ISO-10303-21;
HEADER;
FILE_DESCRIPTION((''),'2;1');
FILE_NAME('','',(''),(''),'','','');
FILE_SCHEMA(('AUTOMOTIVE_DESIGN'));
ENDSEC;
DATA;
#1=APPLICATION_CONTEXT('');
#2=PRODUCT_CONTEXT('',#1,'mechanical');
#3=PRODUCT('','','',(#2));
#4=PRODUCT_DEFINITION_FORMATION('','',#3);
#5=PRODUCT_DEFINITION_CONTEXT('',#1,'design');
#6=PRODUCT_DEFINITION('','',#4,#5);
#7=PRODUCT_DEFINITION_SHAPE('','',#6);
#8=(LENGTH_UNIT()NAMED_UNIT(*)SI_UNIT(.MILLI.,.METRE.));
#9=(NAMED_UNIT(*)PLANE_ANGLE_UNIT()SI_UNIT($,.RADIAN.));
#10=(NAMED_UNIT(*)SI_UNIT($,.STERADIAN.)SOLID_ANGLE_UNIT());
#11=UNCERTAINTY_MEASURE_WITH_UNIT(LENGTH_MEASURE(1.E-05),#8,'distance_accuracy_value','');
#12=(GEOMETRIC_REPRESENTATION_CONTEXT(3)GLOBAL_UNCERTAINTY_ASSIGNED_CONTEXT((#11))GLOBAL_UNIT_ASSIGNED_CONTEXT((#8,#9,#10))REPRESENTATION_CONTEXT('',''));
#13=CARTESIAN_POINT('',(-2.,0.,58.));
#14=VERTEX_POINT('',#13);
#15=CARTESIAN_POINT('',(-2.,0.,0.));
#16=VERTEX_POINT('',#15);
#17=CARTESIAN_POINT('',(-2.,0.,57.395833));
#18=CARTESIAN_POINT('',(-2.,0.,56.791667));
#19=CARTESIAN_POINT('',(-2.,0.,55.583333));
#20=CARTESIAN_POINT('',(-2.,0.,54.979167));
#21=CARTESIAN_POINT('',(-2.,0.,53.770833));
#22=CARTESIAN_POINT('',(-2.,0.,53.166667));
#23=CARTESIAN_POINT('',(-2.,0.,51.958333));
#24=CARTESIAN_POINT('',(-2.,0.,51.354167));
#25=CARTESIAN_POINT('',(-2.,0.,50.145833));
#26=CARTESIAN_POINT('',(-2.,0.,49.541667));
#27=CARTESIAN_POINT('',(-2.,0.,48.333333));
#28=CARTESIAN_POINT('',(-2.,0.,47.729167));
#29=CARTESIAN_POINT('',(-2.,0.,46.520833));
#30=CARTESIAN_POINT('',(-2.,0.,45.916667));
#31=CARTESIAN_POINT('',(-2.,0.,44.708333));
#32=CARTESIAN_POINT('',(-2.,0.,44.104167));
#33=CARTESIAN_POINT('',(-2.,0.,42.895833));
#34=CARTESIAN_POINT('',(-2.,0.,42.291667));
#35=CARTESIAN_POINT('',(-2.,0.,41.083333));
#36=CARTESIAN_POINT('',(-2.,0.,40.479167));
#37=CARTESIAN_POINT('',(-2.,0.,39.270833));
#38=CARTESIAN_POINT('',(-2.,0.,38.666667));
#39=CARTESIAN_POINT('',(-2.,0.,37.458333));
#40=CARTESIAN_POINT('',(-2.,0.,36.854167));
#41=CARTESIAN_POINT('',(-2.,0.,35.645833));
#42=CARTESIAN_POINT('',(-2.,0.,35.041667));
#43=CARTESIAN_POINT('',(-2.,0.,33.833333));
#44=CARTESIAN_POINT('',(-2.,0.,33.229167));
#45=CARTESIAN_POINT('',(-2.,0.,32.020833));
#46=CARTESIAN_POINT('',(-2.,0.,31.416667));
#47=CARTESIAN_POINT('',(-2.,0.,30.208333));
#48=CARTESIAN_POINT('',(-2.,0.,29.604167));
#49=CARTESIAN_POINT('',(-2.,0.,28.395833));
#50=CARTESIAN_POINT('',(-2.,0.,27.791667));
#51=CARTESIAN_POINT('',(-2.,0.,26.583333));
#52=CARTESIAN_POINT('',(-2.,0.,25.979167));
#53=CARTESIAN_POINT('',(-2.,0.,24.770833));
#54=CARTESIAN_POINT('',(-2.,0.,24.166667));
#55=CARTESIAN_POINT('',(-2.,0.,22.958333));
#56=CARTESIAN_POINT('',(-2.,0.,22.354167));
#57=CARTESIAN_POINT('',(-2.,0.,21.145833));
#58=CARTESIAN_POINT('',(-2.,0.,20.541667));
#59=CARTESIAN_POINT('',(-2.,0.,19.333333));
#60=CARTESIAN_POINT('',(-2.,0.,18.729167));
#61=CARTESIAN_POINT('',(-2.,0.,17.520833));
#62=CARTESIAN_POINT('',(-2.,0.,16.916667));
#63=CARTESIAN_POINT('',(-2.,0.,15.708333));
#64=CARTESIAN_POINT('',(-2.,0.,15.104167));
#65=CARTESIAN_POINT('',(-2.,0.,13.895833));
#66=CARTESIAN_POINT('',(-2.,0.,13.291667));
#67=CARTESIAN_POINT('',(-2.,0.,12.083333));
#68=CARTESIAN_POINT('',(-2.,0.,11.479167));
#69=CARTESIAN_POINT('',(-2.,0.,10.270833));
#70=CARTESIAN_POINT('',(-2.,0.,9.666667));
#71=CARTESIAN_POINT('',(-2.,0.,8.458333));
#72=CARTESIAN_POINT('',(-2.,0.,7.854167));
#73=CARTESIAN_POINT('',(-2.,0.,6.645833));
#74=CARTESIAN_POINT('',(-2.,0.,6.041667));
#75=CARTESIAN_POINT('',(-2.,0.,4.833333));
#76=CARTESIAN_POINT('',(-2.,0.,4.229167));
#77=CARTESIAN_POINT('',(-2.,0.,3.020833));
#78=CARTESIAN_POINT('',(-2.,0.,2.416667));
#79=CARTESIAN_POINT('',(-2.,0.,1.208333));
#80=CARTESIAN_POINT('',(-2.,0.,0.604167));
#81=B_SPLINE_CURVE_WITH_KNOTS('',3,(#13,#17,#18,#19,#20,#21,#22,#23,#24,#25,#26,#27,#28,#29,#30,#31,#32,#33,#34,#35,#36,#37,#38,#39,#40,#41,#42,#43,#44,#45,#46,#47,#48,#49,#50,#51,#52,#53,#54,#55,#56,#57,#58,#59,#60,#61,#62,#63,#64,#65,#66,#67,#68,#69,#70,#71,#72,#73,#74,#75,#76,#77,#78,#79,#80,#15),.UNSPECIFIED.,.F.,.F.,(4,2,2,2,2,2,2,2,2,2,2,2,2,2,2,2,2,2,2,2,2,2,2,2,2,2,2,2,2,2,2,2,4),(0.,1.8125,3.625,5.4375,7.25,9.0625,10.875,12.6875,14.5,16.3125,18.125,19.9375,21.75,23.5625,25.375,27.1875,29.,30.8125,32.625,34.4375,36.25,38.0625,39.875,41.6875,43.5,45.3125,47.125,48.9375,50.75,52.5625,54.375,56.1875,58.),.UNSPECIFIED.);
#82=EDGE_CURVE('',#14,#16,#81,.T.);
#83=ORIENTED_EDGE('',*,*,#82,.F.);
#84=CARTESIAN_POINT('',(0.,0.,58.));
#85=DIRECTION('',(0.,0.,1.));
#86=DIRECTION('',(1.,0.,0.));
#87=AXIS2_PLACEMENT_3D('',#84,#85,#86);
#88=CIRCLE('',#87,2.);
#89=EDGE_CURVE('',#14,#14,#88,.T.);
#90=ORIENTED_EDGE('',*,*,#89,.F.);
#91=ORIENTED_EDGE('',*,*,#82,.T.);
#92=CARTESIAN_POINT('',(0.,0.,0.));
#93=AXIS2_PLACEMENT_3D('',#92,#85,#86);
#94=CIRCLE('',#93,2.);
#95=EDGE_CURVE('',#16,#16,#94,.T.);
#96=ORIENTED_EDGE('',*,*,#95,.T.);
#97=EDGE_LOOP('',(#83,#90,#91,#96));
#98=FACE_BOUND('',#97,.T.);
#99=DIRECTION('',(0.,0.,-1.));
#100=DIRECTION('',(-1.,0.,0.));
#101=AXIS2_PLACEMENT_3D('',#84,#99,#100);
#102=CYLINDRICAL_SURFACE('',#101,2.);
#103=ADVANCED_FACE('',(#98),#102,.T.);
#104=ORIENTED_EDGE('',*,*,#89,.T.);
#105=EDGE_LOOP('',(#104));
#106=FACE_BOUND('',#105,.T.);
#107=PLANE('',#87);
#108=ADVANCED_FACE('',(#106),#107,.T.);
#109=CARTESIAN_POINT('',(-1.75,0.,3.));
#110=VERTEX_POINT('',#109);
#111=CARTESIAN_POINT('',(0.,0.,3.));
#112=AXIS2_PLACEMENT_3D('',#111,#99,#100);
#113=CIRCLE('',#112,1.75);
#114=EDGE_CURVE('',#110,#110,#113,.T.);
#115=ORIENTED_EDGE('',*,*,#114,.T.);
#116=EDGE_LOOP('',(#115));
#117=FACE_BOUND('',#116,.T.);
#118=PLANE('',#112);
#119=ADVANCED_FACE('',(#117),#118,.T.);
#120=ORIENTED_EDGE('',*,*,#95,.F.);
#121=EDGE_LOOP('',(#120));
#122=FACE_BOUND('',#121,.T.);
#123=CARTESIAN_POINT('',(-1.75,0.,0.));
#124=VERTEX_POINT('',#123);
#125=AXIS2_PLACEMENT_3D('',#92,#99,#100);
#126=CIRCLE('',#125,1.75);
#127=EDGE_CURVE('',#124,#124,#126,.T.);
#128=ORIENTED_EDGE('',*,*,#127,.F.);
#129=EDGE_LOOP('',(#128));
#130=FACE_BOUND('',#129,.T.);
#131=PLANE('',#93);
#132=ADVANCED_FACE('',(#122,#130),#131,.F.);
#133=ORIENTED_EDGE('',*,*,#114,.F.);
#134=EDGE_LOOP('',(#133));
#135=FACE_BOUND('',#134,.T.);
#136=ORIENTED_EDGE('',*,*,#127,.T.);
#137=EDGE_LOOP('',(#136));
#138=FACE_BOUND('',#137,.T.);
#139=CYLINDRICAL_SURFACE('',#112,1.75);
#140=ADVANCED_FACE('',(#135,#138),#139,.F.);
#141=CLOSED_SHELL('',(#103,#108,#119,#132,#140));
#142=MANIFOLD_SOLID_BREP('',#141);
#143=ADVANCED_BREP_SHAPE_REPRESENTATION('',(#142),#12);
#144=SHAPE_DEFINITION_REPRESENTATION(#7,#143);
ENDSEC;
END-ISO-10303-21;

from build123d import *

# Parameters (mm, degrees)
IZIM1_R                     = 2
Y_KSEKLIK_EKSTR_ZYON1_DEPTH = 58
IZIM3_R                     = 1.75
KES_EKSTR_ZYON1_DEPTH       = 3


with BuildPart() as part:
    # Çizim1 → Yükseklik-Ekstrüzyon1 (new body)
    with BuildSketch(Plane.XY):
        with Locations(Location((0, 0, 0), (0, 0, 180))):
            Circle(IZIM1_R)
    extrude(amount=Y_KSEKLIK_EKSTR_ZYON1_DEPTH)

    # Çizim3 → Kes-Ekstrüzyon1 (cut)
    with BuildSketch(Plane(origin=(0, 0, 0), x_dir=(-1, 0, 0), z_dir=(0, 0, -1))):
        Circle(IZIM3_R)
    extrude(amount=-KES_EKSTR_ZYON1_DEPTH, mode=Mode.SUBTRACT)


solid = part.part
